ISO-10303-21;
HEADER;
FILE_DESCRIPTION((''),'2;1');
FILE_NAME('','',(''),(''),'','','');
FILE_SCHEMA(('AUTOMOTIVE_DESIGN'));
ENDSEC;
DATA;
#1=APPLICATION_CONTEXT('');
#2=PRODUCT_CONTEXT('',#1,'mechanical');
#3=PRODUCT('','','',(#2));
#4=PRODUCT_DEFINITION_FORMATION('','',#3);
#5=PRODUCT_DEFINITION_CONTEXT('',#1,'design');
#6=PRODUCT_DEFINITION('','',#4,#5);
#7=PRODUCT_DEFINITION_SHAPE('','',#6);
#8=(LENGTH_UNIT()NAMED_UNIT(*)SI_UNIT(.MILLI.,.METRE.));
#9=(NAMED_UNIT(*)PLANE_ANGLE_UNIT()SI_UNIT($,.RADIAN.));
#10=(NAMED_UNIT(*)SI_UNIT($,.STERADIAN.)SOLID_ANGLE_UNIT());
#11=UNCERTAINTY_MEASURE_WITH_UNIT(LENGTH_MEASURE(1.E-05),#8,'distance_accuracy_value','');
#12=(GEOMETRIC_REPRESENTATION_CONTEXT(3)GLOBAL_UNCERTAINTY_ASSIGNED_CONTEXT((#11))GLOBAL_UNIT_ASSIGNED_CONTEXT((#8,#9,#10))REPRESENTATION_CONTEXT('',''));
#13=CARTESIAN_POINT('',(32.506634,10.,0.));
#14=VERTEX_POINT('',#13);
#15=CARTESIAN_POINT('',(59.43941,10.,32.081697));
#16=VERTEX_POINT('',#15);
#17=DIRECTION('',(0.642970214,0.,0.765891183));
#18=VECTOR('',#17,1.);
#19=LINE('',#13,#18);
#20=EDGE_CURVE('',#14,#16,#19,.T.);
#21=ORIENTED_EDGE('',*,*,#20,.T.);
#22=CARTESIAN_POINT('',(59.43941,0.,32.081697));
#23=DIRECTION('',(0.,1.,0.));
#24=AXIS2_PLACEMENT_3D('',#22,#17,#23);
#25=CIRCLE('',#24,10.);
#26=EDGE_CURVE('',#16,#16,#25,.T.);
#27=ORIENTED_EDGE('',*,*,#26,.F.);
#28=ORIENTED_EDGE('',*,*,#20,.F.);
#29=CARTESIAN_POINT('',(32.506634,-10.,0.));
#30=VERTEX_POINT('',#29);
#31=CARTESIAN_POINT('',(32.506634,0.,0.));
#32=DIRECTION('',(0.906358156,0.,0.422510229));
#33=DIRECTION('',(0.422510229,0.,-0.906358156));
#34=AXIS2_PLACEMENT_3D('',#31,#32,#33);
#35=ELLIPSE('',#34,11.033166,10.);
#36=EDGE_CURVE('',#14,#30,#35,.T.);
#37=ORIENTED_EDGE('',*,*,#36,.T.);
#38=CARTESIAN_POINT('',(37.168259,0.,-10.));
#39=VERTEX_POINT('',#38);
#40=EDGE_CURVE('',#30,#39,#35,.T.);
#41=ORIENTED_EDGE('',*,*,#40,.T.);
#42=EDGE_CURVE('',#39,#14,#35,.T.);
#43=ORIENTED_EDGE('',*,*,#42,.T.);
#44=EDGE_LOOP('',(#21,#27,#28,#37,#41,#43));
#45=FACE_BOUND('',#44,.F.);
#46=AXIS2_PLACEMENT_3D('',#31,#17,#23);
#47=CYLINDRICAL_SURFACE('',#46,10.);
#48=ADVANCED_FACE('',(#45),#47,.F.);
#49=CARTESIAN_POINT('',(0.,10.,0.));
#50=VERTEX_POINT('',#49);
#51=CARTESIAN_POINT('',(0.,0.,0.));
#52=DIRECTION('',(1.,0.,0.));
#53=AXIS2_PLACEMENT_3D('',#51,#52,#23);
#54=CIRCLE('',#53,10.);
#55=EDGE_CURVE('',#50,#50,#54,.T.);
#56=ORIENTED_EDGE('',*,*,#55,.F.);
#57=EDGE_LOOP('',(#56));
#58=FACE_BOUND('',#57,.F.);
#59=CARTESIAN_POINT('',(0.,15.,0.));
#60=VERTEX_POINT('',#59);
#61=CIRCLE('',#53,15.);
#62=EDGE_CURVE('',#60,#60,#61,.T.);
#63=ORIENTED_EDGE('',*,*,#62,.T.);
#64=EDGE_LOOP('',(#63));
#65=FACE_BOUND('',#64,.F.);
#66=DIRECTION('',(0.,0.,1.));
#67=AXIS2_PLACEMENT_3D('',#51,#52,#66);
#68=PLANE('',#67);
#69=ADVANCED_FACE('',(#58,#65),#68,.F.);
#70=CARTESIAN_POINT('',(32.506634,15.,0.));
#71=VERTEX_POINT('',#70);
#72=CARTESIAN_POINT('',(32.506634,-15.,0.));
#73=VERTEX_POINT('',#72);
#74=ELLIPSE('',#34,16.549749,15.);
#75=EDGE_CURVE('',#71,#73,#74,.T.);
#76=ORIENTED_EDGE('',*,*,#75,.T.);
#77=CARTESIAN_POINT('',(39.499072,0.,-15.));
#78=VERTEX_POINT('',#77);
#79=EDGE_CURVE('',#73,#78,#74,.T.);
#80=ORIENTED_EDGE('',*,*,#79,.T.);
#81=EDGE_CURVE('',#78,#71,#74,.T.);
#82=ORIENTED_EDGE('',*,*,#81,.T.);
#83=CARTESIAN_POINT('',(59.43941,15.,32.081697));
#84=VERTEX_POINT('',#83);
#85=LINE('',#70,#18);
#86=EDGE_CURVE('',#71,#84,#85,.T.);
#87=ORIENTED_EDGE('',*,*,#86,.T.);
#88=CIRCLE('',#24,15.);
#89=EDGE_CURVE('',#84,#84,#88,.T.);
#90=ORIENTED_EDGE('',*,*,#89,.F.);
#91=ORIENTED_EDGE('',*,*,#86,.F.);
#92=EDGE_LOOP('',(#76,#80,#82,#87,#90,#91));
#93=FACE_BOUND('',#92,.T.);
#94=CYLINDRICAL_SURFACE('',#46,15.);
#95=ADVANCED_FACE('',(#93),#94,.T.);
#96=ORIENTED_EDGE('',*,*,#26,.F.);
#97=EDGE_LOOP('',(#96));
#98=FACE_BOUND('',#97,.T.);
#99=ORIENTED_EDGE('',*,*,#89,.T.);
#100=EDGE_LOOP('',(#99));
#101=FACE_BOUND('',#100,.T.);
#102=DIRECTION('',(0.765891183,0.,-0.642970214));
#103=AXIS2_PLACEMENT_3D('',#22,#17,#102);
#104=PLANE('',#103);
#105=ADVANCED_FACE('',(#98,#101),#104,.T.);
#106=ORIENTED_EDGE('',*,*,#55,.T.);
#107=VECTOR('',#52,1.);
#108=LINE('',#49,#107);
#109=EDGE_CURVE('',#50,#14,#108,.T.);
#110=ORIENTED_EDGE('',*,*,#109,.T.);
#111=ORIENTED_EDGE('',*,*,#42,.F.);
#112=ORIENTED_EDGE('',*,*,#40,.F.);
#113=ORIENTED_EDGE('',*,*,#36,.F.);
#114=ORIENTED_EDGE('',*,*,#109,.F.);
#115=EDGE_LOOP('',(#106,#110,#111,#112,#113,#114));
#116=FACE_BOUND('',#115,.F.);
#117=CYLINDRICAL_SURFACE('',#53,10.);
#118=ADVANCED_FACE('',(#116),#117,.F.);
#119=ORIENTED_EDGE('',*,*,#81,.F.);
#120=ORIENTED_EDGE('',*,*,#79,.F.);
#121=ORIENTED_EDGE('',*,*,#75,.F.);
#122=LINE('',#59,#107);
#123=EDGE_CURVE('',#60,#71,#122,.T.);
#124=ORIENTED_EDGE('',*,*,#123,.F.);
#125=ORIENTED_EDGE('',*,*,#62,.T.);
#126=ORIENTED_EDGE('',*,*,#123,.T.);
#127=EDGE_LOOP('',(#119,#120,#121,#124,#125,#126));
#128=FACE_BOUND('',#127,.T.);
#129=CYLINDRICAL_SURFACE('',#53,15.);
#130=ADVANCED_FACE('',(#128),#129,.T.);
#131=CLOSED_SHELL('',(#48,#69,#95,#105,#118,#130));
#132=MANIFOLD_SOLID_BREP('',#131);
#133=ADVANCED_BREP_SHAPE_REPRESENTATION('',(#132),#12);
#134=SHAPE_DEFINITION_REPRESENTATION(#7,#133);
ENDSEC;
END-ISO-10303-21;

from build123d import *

# Parameters (mm, degrees)
F1_R   = 15
F1_R_2 = 10


with BuildPart() as f2:
    # F2: sweep along a path in F0
    with BuildLine(Plane.XZ) as f2_path:
        Line((0, 0), (32.5066335499, 0))
        Line((32.5066335499, 0), (59.4394095242, 32.0816971362))
    # F1 (on Right) → F2 (sweep)
    with BuildSketch(Plane.YZ):
        Circle(F1_R)
        Circle(F1_R_2, mode=Mode.SUBTRACT)
    sweep(path=f2_path.line, transition=Transition.RIGHT)


solid = f2.part
